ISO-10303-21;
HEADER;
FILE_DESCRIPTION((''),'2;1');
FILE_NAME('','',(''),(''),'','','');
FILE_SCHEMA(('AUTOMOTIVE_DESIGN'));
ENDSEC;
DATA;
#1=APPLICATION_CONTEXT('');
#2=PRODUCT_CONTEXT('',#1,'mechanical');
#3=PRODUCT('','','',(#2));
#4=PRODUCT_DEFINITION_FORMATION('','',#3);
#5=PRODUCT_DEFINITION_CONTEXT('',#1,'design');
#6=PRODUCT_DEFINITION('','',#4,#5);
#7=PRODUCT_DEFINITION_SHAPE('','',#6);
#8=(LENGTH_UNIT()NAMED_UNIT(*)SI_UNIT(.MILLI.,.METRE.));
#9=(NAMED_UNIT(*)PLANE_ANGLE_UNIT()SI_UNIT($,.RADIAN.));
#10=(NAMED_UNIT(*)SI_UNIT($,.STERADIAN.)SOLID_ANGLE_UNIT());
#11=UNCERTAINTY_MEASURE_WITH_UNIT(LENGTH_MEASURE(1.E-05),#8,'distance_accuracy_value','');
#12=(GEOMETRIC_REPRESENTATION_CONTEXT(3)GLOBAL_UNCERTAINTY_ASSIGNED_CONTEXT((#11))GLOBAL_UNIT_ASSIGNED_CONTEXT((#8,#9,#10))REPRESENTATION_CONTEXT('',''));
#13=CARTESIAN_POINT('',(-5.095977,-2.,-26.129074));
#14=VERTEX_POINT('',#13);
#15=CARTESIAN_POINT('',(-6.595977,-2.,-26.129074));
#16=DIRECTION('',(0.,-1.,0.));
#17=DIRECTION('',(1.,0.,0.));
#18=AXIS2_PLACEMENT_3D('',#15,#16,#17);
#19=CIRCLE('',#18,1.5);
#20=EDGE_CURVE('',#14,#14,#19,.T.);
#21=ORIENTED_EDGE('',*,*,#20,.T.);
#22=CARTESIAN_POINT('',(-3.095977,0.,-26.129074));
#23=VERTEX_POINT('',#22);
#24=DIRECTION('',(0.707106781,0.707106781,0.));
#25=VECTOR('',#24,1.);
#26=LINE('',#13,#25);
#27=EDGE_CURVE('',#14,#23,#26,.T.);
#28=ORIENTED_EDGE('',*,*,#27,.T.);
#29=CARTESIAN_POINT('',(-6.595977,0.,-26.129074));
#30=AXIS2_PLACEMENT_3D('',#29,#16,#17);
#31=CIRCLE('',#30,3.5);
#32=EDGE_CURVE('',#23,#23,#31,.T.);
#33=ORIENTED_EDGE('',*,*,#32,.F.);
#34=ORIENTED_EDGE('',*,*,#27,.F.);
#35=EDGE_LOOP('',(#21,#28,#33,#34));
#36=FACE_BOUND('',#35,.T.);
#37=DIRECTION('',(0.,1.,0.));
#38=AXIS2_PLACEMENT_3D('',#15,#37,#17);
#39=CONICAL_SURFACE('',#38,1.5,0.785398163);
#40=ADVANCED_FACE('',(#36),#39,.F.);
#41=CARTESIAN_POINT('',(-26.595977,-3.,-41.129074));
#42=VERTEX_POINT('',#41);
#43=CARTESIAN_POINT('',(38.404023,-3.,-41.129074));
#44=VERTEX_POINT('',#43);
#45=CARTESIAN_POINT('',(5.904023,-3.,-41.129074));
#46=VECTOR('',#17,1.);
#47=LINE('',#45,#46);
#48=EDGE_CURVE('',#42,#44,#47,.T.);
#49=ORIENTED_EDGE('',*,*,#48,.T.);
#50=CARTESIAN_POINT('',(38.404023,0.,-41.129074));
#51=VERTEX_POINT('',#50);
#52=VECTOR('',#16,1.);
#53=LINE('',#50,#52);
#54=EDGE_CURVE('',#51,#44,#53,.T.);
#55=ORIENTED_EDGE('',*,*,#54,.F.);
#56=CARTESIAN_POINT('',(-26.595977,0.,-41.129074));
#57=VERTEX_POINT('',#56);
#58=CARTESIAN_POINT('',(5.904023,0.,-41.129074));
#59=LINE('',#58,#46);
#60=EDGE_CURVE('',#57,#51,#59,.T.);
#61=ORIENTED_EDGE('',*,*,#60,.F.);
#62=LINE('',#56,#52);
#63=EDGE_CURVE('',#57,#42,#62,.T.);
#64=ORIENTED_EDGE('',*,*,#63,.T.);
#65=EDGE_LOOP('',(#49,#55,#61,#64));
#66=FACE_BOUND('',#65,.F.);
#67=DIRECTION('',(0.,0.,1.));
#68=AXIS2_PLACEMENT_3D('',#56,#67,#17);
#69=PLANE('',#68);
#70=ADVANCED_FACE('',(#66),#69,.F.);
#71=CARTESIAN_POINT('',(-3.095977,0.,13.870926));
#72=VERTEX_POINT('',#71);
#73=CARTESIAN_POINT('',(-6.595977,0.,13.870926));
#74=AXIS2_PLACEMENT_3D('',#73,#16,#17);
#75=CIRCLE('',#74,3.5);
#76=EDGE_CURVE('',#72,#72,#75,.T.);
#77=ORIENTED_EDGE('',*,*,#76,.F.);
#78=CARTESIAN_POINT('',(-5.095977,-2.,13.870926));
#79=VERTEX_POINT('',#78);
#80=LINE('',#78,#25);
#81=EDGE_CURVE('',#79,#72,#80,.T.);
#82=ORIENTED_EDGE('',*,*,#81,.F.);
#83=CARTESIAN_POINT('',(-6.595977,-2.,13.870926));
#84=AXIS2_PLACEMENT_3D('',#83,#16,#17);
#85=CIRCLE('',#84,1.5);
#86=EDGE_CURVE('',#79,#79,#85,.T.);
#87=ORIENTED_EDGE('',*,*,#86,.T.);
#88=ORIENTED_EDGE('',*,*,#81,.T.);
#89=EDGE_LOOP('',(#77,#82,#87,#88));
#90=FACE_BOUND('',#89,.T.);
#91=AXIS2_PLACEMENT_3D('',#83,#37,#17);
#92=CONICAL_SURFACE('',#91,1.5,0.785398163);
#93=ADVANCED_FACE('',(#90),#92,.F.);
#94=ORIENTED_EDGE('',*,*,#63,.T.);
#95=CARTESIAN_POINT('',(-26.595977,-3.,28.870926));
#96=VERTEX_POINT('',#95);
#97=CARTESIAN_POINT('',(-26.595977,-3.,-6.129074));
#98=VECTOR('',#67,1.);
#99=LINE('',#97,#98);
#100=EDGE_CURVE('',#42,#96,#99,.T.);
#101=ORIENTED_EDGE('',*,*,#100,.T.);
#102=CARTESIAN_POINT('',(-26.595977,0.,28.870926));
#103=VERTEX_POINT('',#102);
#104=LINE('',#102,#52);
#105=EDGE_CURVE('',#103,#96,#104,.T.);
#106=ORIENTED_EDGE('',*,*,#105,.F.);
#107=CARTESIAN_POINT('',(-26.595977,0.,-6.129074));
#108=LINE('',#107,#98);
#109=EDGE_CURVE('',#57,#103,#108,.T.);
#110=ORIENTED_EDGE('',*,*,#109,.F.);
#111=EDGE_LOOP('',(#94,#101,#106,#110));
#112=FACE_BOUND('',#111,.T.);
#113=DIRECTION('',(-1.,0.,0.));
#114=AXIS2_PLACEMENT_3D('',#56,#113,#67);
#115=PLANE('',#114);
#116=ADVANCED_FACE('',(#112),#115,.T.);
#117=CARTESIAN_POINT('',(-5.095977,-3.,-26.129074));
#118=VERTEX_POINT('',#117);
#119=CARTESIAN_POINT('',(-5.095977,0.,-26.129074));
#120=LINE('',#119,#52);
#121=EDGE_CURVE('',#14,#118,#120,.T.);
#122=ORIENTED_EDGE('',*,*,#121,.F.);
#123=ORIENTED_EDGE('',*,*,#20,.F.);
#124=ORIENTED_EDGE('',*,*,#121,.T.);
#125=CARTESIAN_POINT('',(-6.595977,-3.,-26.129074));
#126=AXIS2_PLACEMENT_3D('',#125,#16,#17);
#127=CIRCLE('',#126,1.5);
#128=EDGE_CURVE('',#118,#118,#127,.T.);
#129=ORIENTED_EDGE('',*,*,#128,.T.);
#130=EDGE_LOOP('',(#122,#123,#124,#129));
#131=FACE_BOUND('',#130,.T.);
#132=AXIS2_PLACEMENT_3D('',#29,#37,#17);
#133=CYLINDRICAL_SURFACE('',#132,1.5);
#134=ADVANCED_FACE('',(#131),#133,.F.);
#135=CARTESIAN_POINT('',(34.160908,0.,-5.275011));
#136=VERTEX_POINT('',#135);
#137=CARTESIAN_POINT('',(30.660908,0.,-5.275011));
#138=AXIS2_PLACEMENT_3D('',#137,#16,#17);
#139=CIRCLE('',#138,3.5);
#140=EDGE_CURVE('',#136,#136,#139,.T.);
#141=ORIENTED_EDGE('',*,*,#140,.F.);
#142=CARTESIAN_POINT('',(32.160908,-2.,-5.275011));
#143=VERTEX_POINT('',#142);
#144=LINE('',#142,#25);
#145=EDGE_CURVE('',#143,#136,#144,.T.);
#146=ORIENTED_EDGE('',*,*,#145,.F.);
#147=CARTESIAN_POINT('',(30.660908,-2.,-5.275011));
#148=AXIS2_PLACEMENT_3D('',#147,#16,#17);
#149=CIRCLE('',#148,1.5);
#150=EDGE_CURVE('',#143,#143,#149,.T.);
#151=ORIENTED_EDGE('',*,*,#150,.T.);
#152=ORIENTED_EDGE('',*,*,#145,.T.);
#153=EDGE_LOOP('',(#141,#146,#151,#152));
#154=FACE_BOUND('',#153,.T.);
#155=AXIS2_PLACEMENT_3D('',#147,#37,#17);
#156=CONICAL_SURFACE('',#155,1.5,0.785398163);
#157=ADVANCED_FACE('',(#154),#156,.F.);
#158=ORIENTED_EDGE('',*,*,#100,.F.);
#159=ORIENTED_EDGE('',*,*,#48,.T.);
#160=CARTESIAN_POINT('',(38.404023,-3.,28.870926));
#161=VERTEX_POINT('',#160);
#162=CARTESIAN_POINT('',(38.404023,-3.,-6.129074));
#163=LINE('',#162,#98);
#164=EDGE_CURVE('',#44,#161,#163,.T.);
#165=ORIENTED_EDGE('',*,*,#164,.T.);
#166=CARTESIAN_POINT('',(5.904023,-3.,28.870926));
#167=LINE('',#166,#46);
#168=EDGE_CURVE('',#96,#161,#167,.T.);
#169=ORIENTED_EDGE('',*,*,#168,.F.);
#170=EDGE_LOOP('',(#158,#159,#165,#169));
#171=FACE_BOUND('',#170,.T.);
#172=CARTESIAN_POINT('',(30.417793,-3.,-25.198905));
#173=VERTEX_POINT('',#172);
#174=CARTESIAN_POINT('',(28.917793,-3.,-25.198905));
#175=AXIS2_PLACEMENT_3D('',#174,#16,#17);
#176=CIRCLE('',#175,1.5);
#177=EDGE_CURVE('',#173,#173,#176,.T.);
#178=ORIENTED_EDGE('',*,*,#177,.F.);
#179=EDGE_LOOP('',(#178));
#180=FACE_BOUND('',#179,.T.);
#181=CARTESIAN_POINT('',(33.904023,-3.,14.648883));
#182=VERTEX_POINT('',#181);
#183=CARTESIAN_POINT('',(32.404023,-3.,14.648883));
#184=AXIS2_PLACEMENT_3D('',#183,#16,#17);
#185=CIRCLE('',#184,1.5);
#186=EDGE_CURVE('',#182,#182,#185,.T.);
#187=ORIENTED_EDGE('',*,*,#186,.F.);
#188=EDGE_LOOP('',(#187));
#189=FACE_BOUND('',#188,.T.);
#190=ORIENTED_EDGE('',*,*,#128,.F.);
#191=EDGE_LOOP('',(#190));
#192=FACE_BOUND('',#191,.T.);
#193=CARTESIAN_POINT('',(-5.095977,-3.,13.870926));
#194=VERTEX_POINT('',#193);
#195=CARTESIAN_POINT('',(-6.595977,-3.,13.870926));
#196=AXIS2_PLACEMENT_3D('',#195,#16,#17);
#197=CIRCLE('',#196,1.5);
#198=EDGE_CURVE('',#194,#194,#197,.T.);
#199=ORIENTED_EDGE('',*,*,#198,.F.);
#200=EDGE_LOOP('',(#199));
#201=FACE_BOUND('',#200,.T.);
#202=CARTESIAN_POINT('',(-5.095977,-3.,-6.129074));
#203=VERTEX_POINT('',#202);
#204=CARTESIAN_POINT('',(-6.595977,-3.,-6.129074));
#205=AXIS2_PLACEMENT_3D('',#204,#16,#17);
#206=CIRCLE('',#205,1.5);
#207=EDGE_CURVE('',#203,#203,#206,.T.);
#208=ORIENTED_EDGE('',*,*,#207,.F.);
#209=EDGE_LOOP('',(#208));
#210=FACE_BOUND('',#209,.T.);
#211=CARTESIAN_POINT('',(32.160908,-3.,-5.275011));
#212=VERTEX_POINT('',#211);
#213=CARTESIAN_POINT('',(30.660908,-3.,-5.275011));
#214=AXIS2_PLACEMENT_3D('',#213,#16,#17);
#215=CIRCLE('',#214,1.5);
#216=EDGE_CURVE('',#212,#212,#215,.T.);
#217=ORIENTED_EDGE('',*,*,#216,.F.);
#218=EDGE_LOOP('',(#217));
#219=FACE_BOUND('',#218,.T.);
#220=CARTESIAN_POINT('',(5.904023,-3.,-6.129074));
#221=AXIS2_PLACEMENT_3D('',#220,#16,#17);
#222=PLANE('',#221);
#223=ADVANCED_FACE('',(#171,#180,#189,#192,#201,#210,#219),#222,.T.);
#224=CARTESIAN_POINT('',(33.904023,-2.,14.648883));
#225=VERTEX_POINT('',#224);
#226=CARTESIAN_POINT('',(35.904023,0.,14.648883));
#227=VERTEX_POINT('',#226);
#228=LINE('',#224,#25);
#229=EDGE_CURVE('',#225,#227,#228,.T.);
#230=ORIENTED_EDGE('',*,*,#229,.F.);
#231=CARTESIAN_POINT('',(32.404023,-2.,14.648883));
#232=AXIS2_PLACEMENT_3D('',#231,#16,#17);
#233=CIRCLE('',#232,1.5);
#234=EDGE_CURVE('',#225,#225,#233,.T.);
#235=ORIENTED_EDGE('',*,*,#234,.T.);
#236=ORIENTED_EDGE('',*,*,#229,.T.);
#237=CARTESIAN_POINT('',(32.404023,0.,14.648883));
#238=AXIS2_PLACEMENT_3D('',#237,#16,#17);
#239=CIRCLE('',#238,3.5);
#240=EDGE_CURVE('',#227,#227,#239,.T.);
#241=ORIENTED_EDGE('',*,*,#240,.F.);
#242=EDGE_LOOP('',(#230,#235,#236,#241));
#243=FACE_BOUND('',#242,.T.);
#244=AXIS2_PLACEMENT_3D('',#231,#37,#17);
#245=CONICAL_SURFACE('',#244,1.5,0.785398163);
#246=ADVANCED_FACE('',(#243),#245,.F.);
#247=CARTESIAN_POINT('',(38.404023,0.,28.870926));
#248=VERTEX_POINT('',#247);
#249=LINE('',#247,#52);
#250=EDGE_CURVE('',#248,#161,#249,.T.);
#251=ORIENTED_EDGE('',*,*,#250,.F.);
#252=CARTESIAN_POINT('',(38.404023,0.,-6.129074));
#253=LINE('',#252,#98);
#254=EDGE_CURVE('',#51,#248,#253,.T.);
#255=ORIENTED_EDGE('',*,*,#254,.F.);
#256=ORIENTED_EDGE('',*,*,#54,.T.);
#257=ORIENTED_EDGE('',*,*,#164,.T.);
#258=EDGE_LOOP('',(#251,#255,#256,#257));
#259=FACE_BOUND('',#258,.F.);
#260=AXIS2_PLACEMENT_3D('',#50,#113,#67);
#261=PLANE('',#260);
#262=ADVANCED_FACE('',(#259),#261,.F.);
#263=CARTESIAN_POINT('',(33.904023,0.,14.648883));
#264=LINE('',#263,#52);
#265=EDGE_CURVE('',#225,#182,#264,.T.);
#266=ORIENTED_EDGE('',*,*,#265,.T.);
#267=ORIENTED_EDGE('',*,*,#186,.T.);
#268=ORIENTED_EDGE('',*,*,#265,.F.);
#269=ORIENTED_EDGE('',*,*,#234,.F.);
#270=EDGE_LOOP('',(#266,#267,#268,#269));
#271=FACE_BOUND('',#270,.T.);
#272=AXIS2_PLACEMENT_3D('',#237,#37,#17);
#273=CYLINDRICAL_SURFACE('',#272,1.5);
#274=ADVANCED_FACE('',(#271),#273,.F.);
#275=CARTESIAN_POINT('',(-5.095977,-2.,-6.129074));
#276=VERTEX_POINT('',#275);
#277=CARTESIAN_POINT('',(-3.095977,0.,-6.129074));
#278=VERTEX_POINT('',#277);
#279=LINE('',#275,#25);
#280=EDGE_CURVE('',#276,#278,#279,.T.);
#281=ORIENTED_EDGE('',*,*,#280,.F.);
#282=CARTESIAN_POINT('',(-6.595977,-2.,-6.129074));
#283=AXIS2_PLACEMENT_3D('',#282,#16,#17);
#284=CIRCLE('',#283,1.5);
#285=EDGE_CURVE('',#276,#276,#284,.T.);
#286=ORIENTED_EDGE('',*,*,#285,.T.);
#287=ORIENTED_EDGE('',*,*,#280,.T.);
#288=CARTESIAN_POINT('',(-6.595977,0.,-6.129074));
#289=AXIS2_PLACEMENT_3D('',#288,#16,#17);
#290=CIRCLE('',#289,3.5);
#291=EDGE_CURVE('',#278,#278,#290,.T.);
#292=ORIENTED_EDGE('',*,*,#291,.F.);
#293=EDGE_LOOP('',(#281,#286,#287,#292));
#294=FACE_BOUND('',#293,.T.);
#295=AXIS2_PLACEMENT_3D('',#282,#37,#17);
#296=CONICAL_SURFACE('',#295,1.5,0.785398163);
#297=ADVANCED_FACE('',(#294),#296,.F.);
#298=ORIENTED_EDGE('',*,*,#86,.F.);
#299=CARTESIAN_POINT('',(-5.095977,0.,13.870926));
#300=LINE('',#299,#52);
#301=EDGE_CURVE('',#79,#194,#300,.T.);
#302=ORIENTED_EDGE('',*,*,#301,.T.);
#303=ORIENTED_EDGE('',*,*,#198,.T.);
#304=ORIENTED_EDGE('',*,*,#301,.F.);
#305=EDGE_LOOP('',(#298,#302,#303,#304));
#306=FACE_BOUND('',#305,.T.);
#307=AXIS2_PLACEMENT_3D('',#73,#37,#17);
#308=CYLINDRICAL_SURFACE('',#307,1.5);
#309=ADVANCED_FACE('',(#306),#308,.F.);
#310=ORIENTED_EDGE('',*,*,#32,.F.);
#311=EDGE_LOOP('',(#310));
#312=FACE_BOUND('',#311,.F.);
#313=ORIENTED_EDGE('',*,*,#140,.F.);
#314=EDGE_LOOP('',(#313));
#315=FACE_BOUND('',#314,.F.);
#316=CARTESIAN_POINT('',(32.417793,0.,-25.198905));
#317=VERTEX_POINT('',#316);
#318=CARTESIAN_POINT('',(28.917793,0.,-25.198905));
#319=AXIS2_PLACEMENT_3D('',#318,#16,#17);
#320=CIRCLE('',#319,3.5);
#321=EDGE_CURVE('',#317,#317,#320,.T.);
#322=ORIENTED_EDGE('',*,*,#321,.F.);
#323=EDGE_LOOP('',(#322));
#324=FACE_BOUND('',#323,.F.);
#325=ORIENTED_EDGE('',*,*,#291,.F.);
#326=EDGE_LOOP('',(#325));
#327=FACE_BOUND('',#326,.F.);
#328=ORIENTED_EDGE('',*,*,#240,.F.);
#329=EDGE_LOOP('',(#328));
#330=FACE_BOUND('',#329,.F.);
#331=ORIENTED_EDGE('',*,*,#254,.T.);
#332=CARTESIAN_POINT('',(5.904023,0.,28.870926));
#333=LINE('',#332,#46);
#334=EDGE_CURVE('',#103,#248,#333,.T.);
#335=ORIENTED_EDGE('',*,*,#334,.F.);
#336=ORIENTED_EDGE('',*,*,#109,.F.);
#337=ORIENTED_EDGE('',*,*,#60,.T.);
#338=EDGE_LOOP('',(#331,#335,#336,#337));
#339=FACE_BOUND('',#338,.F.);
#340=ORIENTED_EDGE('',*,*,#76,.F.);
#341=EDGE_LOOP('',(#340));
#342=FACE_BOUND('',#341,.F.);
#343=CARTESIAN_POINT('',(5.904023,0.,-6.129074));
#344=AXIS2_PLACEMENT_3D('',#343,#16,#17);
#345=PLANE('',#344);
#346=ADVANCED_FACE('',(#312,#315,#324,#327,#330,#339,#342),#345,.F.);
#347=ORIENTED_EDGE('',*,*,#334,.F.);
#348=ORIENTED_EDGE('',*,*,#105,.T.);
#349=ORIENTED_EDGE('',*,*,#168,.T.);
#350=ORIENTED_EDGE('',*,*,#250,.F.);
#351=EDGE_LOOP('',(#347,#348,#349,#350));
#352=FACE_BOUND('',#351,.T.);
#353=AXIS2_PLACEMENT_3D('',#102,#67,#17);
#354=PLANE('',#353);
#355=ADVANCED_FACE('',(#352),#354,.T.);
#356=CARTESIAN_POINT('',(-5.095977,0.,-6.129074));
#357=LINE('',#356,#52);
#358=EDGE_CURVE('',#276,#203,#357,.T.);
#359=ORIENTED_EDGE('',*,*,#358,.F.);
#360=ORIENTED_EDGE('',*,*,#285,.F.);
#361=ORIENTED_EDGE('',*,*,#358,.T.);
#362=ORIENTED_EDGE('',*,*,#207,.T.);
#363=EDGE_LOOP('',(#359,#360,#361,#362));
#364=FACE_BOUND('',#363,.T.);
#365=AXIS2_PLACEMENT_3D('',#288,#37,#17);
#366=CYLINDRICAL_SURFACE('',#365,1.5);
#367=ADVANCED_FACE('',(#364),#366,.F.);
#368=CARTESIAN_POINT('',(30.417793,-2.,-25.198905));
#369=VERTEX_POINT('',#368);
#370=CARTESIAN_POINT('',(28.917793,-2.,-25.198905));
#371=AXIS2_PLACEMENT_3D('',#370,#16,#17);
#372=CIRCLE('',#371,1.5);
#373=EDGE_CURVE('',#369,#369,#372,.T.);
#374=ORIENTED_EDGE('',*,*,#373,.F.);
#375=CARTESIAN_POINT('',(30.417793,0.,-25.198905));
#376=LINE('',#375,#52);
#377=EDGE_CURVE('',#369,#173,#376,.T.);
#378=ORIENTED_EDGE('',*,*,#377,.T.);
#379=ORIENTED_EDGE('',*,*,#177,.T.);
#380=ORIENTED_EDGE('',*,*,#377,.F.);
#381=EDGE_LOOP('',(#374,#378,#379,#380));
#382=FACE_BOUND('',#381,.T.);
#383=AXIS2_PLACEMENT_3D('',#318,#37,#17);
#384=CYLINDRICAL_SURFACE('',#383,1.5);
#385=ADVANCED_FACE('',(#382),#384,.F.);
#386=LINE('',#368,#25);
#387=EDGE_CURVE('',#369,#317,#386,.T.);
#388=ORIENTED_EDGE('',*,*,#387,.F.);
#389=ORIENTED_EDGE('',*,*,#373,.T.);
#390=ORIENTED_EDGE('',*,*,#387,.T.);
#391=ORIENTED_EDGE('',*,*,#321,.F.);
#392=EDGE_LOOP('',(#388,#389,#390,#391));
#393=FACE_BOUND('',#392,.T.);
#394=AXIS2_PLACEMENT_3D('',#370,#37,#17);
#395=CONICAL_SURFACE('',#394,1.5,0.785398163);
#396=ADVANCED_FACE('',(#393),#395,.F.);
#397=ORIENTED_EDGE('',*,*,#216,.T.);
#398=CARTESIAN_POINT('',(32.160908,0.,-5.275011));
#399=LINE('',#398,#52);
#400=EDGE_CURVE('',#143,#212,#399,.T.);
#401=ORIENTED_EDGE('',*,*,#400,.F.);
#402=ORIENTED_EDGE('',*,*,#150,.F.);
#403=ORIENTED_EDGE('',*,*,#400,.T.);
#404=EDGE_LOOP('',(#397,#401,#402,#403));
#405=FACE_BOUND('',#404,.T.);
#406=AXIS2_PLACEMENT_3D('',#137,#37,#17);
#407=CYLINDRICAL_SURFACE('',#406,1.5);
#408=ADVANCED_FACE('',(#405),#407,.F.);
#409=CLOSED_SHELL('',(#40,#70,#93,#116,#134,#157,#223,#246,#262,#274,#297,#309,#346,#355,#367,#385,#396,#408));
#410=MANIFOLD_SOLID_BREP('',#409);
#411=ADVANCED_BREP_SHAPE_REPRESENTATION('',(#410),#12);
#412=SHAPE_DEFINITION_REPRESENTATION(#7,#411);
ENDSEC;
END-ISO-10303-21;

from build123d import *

# Parameters (mm, degrees)
F0_W     = 65
F0_H     = 70
F0_R     = 1.5
F1_DEPTH = 3
F2_SIZE  = 2


with BuildPart() as f1:
    # F0 (on Front) → F1 (new body)
    with BuildSketch(Plane.XZ):
        with Locations((5.904023, -6.129074)):
            Rectangle(F0_W, F0_H)
        with Locations((-6.595977, -26.129074)):
            Circle(F0_R, mode=Mode.SUBTRACT)
        with Locations((28.917793, -25.198905)):
            Circle(F0_R, mode=Mode.SUBTRACT)
        with Locations((-6.595977, -6.129074)):
            Circle(F0_R, mode=Mode.SUBTRACT)
        with Locations((-6.595977, 13.870926)):
            Circle(F0_R, mode=Mode.SUBTRACT)
        with Locations((30.660908, -5.275011)):
            Circle(F0_R, mode=Mode.SUBTRACT)
        with Locations((32.404023, 14.648883)):
            Circle(F0_R, mode=Mode.SUBTRACT)
    extrude(amount=F1_DEPTH)

    # F2
    f2_edges = [f1.edges().sort_by_distance(p)[0] for p in [
        (30.904023, 0, 14.648883),
        (-8.095977, 0, 13.870926),
        (29.160908, 0, -5.275011),
        (-8.095977, 0, -6.129074),
        (-8.095977, 0, -26.129074),
        (27.417793, 0, -25.198905),
    ]]
    chamfer(f2_edges, length=F2_SIZE)


solid = f1.part
